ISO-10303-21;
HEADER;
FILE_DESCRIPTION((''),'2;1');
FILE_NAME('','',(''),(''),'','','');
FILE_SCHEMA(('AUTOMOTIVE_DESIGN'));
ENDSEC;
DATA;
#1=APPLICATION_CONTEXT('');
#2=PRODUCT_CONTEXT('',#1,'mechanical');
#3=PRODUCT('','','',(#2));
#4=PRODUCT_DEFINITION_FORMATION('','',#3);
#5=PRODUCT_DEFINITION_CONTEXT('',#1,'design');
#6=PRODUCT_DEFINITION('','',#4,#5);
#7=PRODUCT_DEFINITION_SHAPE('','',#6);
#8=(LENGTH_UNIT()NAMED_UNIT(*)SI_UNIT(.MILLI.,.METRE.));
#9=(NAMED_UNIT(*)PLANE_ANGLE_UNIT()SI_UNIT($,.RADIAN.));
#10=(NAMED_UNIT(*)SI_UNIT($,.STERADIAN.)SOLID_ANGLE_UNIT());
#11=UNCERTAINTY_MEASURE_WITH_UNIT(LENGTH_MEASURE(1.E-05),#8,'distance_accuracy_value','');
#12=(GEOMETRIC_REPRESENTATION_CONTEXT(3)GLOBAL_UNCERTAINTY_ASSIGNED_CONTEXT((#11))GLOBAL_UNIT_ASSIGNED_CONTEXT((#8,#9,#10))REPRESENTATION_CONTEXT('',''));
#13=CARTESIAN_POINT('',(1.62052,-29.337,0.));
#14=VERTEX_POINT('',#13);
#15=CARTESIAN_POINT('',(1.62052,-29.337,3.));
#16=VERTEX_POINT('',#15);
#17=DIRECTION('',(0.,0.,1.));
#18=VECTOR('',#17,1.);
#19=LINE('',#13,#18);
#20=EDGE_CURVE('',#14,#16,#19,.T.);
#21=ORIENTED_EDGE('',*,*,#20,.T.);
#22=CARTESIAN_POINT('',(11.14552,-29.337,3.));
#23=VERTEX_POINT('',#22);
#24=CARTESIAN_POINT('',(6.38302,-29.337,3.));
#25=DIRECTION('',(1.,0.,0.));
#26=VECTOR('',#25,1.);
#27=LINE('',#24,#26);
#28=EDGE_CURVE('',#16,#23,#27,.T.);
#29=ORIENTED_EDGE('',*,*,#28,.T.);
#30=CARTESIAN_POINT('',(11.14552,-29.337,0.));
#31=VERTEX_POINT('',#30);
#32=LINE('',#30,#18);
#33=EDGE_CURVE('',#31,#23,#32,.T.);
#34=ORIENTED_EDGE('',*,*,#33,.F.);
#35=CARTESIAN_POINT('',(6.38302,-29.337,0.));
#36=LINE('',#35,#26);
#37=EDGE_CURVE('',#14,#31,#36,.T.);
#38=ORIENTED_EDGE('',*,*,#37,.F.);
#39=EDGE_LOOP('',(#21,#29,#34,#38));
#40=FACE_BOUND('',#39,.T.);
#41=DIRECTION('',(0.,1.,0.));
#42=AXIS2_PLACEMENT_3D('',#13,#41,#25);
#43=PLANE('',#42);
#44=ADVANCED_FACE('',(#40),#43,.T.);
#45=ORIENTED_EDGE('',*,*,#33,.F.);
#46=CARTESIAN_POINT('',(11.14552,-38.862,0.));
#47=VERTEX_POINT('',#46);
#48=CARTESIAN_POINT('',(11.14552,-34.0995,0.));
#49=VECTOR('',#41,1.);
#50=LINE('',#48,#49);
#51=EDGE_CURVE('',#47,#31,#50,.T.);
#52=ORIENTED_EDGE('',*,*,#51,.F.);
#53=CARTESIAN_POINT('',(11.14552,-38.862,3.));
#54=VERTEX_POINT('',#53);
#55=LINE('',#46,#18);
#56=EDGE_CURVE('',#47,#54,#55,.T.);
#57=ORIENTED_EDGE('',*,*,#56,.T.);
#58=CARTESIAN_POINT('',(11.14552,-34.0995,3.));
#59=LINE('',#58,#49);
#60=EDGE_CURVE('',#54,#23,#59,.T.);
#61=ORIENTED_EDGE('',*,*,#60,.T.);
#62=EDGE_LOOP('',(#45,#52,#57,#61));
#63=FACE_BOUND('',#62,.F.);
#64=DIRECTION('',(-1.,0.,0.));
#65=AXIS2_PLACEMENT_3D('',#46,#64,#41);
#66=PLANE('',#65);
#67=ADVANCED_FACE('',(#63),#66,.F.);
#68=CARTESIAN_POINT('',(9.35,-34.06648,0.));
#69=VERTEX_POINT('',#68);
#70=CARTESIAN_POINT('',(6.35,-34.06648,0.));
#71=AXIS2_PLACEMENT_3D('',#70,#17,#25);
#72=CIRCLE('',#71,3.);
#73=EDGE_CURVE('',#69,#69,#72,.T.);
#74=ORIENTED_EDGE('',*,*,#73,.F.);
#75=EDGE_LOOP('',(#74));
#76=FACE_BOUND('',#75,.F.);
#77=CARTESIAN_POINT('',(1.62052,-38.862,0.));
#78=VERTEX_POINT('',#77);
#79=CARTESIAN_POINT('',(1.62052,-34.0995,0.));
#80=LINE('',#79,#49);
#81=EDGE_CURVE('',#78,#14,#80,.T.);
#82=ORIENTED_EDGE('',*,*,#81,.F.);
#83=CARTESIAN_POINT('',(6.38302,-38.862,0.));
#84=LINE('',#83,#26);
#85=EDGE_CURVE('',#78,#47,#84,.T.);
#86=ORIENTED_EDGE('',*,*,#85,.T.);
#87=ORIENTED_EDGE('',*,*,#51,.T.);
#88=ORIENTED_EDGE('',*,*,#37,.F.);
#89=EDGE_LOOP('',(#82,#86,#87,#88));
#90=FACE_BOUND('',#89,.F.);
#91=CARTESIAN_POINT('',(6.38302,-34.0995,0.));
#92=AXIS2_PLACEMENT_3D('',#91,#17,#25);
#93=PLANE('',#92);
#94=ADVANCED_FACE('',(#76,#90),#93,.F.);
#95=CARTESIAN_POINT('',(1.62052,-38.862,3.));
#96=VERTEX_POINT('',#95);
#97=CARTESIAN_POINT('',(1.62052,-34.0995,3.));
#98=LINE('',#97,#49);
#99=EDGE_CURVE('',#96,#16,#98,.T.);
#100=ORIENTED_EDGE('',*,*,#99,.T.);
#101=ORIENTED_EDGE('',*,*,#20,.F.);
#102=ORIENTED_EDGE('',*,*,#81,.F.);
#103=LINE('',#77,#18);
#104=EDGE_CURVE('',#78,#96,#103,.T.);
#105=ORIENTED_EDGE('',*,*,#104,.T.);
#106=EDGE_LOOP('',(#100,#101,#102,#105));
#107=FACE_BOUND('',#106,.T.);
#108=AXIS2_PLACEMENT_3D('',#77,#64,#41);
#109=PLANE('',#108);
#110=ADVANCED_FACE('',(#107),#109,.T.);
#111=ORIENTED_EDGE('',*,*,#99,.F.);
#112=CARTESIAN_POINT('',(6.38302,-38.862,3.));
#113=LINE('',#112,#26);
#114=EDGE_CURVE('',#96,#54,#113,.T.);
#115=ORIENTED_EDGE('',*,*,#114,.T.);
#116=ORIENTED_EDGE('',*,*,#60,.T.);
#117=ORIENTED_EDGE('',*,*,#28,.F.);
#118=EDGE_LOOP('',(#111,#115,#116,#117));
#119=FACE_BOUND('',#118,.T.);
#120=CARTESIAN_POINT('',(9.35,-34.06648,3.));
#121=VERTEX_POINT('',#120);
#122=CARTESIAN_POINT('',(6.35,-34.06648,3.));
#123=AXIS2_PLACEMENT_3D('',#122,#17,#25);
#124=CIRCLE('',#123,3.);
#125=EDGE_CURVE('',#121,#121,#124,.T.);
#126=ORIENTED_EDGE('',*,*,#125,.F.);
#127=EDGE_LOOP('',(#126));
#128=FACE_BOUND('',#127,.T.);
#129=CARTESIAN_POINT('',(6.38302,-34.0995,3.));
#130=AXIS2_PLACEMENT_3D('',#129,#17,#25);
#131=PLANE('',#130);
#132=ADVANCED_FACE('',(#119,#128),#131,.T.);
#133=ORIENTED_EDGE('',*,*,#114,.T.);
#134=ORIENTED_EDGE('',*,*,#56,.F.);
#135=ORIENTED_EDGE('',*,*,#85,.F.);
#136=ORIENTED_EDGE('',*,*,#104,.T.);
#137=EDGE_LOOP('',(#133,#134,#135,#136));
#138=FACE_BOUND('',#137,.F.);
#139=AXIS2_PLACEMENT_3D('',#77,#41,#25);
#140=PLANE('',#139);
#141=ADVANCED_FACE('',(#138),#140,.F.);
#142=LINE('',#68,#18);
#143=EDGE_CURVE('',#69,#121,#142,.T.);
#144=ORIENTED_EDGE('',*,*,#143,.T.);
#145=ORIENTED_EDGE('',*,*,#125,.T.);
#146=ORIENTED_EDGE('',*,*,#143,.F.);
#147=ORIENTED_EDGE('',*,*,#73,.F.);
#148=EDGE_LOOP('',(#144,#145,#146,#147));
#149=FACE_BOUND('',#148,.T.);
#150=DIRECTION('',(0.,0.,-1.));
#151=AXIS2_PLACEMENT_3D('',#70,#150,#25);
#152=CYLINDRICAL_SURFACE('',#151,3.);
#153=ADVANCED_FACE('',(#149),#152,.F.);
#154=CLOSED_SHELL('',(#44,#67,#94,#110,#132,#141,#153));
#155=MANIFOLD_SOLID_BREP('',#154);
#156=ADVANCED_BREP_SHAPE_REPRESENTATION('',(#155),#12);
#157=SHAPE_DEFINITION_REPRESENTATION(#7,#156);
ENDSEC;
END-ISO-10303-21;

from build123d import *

# Parameters (mm, degrees)
CYLINDER034_R     = 3
CYLINDER034_DEPTH = 3
BOX013_W          = 9.525
BOX013_H          = 9.525
BOX013_DEPTH      = 3


with BuildPart() as cylinder034:
    # Cylinder034 → Cylinder034 (new body)
    with BuildSketch(Plane(origin=(6.35, 6.35, 0), x_dir=(1, 0, 0), z_dir=(0, 0, 1))):
        Circle(CYLINDER034_R)
    extrude(amount=CYLINDER034_DEPTH)


with BuildPart() as m6_nut:
    # Box013 → Box013 (new body)
    with BuildSketch(Plane(origin=(1.62052, 1.55448, 0), x_dir=(1, 0, 0), z_dir=(0, 0, 1))):
        with Locations((4.7625, 4.7625)):
            Rectangle(BOX013_W, BOX013_H)
    extrude(amount=BOX013_DEPTH)

    # Cut011: cut Cylinder034
    add(cylinder034.part, mode=Mode.SUBTRACT)


with BuildPart() as m6_nut_1:
    # Cut011 placement: moved
    add(m6_nut.part.moved(Location((0, -40.41648, 0))))


solid = m6_nut_1.part
